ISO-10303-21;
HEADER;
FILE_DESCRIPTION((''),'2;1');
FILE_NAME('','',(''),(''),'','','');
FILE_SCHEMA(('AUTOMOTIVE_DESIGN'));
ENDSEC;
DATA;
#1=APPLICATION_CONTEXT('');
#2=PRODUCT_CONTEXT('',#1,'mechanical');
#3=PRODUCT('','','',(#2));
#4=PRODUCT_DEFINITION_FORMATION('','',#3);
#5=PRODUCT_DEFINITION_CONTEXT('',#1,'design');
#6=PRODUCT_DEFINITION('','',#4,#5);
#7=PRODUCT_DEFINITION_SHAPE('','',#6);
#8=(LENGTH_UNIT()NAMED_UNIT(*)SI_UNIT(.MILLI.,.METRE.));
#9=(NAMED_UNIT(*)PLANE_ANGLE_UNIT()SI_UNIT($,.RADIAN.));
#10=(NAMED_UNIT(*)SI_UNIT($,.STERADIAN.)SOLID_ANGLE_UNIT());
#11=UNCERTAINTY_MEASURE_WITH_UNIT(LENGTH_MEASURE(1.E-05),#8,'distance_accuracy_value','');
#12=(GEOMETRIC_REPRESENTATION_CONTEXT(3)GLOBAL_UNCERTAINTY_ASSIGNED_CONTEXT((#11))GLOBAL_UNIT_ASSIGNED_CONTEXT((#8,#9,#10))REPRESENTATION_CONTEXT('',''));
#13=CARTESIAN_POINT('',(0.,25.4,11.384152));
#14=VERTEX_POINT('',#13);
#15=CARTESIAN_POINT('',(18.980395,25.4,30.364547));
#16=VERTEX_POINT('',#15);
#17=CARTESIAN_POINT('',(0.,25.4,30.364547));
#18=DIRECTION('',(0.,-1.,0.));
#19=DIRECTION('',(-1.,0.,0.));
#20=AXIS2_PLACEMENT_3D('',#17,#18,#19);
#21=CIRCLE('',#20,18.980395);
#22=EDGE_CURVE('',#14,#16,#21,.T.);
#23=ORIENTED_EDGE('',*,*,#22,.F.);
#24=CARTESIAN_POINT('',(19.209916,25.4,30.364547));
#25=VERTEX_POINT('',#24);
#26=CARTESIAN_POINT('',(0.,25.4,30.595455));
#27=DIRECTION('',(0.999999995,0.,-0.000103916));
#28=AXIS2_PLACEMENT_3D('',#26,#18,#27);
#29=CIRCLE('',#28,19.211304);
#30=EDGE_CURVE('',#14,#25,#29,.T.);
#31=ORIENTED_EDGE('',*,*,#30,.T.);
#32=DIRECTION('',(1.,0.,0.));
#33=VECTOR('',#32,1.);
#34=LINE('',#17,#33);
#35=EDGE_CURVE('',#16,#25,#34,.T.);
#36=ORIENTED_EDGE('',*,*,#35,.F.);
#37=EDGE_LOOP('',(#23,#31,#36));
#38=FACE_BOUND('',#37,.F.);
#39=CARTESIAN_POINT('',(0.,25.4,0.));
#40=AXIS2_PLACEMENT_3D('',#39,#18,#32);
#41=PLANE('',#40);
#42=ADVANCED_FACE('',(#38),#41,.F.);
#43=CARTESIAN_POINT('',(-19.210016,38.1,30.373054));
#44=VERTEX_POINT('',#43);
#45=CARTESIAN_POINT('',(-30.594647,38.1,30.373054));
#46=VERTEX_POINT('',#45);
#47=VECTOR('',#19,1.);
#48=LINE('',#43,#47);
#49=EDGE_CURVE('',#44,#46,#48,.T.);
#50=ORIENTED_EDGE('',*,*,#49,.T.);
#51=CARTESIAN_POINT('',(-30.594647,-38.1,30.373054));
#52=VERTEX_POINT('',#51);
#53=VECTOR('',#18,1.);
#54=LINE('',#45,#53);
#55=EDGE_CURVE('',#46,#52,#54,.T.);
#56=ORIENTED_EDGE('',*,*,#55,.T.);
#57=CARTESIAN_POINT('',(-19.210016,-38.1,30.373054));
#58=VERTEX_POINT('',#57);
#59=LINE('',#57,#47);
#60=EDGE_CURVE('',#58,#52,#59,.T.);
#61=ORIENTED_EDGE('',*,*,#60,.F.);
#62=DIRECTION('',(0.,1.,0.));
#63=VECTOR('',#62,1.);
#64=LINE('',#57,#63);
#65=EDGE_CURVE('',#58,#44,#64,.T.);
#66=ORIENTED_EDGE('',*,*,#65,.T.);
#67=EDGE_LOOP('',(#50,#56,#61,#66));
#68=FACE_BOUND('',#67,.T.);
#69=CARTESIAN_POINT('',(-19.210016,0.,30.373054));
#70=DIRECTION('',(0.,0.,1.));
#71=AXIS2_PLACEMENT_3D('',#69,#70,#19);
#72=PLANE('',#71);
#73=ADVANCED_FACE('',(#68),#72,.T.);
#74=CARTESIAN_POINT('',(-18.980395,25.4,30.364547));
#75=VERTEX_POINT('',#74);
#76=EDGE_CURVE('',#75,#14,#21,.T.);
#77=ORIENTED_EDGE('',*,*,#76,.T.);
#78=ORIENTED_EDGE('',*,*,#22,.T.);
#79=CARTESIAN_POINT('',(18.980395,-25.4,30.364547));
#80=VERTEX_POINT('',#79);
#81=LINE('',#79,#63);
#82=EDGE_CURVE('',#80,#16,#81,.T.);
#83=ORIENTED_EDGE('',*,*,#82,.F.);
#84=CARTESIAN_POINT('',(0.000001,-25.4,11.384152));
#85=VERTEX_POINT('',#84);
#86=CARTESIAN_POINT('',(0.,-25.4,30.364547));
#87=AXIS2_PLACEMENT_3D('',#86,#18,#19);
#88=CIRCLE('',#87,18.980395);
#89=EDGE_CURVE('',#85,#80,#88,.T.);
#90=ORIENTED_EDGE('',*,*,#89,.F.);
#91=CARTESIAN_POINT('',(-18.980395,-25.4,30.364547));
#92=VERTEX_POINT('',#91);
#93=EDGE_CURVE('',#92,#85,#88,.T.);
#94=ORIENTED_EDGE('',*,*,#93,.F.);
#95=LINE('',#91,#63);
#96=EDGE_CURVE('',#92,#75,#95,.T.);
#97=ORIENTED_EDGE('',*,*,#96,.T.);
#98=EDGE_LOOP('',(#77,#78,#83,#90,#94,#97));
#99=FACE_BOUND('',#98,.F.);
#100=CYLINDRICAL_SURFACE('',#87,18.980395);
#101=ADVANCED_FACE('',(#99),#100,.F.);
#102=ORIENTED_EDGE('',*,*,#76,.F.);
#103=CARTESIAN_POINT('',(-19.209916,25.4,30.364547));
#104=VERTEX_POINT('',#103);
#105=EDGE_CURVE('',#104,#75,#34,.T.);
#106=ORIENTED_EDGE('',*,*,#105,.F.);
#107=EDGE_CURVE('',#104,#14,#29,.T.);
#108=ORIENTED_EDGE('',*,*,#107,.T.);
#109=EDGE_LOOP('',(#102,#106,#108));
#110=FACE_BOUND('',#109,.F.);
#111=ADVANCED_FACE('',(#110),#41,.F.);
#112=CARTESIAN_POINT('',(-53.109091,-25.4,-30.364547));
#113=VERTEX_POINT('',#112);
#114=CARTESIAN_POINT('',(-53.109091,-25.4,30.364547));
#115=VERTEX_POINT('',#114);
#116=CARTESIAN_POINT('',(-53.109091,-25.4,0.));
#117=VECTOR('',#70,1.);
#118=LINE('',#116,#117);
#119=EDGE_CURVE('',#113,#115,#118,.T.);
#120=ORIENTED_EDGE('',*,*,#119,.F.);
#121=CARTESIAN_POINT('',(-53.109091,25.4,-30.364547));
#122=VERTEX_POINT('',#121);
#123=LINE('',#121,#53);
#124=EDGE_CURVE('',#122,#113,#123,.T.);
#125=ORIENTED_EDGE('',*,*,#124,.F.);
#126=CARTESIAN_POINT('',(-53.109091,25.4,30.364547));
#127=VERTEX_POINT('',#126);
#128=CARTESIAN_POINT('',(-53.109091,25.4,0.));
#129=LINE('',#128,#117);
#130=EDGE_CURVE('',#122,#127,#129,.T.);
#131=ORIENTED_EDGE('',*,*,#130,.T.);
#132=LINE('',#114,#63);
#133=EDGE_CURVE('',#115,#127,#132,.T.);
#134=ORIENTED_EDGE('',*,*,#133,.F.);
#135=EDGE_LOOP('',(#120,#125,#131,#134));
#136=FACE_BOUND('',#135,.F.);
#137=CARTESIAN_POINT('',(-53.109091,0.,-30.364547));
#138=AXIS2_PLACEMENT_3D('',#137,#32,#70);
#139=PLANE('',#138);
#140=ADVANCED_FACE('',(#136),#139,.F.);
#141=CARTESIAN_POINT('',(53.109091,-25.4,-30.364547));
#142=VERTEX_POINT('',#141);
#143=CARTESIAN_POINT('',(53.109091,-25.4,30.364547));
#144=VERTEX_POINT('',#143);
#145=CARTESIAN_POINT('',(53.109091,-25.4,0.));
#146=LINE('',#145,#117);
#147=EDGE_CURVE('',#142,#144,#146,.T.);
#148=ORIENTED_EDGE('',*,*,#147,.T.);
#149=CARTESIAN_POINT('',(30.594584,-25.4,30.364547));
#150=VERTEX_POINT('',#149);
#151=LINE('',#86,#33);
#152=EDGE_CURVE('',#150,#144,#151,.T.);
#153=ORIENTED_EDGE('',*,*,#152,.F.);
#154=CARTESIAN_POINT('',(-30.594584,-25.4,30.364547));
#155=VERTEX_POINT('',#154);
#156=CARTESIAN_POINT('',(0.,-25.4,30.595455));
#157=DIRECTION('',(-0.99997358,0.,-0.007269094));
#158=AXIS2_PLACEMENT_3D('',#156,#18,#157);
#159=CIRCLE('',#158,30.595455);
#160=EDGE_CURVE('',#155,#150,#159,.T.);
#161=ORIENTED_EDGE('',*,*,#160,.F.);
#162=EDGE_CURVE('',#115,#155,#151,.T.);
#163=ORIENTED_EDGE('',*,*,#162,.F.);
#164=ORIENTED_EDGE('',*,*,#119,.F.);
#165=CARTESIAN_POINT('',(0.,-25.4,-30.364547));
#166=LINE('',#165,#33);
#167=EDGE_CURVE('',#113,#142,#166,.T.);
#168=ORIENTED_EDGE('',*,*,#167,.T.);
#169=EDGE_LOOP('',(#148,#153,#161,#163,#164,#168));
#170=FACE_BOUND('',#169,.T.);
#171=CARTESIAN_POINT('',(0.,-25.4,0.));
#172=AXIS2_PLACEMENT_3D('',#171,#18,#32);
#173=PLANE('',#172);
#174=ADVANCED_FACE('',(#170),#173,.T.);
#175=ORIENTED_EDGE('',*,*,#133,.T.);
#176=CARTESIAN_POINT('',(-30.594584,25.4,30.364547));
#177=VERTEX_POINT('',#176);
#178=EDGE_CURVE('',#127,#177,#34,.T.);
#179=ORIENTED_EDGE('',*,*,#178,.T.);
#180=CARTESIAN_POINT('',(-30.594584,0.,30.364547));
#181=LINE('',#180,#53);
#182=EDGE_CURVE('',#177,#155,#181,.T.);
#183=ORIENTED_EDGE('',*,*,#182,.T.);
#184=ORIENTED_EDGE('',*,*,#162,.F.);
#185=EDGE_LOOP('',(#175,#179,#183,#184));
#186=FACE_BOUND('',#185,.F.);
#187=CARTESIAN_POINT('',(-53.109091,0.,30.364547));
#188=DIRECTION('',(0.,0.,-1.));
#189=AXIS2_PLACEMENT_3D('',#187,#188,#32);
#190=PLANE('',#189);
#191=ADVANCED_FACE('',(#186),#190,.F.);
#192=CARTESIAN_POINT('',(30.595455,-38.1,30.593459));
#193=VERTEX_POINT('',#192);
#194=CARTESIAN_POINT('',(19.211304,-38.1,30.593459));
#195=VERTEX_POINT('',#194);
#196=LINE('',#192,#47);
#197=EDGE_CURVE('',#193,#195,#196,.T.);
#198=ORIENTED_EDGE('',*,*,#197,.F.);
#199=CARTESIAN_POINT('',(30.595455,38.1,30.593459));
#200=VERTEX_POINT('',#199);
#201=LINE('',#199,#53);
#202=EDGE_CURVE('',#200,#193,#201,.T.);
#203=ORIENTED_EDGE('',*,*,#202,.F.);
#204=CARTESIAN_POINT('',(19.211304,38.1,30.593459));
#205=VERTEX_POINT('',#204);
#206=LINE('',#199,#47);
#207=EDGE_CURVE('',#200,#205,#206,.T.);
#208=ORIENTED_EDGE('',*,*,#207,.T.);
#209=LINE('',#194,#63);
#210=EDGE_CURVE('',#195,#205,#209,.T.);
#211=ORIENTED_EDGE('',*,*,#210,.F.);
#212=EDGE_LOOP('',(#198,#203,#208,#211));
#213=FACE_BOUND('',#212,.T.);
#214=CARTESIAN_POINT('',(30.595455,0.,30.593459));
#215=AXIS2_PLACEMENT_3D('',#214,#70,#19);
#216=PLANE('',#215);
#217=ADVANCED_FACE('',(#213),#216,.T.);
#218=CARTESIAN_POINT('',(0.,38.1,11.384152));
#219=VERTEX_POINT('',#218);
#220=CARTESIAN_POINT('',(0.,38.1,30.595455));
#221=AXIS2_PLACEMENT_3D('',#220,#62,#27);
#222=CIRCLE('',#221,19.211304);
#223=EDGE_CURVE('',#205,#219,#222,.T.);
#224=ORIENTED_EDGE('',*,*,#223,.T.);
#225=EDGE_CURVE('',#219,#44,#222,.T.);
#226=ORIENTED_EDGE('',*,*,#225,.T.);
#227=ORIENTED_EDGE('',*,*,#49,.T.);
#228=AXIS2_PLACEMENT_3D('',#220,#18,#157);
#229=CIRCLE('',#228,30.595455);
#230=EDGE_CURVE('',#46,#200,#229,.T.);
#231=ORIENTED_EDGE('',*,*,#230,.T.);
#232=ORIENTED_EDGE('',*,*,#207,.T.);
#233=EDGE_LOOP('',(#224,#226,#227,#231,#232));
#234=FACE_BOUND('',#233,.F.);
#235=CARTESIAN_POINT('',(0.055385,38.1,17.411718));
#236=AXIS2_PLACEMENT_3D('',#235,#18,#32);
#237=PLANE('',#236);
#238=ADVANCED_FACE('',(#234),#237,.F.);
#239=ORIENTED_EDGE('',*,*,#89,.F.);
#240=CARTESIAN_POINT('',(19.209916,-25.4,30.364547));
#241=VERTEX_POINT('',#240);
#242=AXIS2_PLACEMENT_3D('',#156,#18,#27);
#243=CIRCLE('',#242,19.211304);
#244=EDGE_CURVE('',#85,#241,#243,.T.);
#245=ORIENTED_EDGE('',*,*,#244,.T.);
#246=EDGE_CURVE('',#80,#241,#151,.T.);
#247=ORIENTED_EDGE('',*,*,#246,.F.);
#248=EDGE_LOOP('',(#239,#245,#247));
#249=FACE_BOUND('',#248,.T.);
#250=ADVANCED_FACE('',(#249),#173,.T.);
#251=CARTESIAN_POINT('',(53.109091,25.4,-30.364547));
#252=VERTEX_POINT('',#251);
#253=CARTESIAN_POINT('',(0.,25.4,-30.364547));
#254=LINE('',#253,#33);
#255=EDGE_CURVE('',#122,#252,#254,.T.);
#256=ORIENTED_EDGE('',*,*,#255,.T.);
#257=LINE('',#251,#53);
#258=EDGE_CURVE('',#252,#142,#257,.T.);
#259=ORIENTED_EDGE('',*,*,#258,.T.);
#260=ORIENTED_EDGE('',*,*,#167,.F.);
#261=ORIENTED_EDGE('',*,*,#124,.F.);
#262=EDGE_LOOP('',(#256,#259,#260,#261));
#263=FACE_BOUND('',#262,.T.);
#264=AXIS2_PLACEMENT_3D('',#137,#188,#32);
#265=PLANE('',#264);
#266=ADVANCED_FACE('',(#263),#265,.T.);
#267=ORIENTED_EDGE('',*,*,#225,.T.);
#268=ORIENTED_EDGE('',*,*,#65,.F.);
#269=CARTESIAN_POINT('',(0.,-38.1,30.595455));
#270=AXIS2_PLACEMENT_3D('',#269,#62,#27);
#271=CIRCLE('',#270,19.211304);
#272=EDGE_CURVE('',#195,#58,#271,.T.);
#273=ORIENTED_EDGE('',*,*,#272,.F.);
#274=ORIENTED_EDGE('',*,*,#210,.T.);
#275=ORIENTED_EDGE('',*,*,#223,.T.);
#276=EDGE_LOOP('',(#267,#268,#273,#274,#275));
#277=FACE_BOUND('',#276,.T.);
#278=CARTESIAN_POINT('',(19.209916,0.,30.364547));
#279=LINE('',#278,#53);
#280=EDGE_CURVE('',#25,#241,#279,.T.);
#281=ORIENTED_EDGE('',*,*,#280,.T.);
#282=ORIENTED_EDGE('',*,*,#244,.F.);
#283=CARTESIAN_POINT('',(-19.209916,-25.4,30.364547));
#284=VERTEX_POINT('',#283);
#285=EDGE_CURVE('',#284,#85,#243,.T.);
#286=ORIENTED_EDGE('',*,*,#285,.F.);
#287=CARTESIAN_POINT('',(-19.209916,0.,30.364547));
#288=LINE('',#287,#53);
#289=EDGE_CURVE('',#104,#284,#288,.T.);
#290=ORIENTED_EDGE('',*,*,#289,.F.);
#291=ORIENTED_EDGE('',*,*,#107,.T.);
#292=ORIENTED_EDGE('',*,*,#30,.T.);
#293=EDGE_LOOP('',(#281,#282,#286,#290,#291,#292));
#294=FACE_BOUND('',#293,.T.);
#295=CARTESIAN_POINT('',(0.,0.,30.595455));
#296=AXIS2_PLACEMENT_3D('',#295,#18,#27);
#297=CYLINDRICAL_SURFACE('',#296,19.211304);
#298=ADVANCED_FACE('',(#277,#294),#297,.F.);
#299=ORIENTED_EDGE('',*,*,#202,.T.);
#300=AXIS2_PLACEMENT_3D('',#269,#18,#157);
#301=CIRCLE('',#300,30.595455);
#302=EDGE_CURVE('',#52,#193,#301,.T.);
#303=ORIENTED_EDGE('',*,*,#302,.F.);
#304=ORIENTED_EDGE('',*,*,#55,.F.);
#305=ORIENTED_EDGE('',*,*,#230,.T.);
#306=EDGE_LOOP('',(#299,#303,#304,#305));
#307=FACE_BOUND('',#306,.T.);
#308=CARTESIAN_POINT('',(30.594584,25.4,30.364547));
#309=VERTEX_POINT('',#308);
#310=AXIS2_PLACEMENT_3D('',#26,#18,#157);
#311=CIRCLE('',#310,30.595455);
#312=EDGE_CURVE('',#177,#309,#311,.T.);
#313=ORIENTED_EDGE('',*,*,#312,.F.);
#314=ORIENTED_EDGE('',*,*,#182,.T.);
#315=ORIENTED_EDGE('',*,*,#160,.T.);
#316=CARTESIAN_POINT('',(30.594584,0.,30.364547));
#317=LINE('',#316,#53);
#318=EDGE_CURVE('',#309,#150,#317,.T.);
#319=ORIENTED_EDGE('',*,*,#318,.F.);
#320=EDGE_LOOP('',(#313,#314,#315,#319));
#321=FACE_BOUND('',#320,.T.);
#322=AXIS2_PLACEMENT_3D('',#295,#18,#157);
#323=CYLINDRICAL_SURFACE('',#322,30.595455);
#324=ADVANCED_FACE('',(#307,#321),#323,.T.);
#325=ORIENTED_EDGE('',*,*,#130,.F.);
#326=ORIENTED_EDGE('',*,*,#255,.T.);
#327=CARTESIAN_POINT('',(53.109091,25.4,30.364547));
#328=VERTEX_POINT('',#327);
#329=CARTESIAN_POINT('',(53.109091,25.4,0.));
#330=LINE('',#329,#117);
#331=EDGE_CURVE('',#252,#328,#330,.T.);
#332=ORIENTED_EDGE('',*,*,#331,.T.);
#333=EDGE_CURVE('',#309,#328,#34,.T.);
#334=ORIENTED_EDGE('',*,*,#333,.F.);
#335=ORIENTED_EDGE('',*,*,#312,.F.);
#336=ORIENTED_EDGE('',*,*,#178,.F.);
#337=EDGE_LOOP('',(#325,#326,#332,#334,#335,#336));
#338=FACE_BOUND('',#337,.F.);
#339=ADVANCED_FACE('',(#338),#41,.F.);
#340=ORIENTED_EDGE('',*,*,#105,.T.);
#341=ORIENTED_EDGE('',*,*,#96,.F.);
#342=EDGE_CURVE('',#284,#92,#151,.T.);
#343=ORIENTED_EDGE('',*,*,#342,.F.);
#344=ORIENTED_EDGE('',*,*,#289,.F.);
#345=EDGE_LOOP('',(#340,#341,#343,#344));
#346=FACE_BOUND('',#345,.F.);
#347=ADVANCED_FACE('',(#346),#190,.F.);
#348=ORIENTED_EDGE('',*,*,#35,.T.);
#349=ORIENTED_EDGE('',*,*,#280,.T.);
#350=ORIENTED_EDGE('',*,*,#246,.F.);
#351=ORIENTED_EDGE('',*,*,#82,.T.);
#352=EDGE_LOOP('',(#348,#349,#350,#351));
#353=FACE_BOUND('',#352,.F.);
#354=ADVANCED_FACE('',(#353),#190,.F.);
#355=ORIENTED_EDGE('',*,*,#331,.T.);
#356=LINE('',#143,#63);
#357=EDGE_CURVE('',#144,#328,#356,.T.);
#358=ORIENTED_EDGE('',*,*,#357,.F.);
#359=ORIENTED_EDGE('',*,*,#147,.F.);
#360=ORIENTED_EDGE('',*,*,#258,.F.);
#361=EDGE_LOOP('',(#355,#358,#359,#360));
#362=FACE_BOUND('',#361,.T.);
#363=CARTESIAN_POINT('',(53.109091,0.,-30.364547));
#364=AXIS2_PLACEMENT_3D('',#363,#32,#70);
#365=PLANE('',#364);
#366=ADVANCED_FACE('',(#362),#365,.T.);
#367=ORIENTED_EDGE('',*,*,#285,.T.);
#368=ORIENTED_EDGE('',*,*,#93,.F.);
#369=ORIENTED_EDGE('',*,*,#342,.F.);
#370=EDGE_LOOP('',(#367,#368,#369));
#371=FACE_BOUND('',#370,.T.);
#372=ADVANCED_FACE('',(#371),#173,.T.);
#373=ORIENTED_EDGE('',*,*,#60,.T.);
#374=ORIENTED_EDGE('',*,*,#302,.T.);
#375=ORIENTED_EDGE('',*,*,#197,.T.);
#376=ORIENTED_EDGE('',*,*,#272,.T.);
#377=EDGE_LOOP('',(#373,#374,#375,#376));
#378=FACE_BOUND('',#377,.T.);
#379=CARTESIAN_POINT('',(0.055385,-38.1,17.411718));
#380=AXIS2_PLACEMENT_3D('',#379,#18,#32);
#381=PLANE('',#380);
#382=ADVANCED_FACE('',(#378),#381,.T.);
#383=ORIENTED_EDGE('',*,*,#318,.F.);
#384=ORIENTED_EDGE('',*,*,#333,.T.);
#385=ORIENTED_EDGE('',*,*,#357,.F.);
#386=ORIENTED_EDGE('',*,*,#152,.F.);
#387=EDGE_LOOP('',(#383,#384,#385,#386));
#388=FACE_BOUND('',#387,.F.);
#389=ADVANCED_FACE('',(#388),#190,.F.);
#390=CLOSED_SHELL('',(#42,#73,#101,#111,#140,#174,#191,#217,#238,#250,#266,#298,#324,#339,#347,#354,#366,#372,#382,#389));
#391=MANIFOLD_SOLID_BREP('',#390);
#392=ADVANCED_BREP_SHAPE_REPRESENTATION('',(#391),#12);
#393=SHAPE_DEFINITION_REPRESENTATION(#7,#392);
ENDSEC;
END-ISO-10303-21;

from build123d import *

# Parameters (mm, degrees)
F0_W     = 106.2181815505
F0_H     = 60.7290938497
F1_DEPTH = 25.4
F3_DEPTH = 38.1
F5_DEPTH = 152.4


with BuildPart() as f1:
    # F0 (on Front) → F1 (new body, symmetric)
    with BuildSketch(Plane.XZ):
        Rectangle(F0_W, F0_H)
    extrude(amount=F1_DEPTH, both=True)

    # F2 (on Front) → F3 (join, symmetric)
    with BuildSketch(Plane.XZ):
        with BuildLine():
            Line((-19.2100163435, 30.3730540806), (-30.5946469803, 30.3730540806))
            ThreePointArc((-30.5946469803, 30.3730540806), (0.110203176, 0.0001984736), (30.5954552536, 30.5934589507))
            Line((30.5954552536, 30.5934589507), (19.211303606, 30.5934589507))
            ThreePointArc((19.211303606, 30.5934589507), (0.1102043145, 11.3844677012), (-19.2100163435, 30.3730540806))
        make_face()
    extrude(amount=F3_DEPTH, both=True)

    # F4 (on face) → F5 (cut)
    with BuildSketch(Plane.XZ.offset(25.4)):
        with BuildLine():
            ThreePointArc((7.92e-08, 11.3841516089), (13.4211662655, 16.9433807153), (18.9803953159, 30.3645469248))
            Line((18.9803953159, 30.3645469248), (-18.9803953159, 30.3645469248))
            ThreePointArc((-18.9803953159, 30.3645469248), (-13.4211662095, 16.9433806594), (7.92e-08, 11.3841516089))
        make_face()
    extrude(amount=-F5_DEPTH, mode=Mode.SUBTRACT)


solid = f1.part
